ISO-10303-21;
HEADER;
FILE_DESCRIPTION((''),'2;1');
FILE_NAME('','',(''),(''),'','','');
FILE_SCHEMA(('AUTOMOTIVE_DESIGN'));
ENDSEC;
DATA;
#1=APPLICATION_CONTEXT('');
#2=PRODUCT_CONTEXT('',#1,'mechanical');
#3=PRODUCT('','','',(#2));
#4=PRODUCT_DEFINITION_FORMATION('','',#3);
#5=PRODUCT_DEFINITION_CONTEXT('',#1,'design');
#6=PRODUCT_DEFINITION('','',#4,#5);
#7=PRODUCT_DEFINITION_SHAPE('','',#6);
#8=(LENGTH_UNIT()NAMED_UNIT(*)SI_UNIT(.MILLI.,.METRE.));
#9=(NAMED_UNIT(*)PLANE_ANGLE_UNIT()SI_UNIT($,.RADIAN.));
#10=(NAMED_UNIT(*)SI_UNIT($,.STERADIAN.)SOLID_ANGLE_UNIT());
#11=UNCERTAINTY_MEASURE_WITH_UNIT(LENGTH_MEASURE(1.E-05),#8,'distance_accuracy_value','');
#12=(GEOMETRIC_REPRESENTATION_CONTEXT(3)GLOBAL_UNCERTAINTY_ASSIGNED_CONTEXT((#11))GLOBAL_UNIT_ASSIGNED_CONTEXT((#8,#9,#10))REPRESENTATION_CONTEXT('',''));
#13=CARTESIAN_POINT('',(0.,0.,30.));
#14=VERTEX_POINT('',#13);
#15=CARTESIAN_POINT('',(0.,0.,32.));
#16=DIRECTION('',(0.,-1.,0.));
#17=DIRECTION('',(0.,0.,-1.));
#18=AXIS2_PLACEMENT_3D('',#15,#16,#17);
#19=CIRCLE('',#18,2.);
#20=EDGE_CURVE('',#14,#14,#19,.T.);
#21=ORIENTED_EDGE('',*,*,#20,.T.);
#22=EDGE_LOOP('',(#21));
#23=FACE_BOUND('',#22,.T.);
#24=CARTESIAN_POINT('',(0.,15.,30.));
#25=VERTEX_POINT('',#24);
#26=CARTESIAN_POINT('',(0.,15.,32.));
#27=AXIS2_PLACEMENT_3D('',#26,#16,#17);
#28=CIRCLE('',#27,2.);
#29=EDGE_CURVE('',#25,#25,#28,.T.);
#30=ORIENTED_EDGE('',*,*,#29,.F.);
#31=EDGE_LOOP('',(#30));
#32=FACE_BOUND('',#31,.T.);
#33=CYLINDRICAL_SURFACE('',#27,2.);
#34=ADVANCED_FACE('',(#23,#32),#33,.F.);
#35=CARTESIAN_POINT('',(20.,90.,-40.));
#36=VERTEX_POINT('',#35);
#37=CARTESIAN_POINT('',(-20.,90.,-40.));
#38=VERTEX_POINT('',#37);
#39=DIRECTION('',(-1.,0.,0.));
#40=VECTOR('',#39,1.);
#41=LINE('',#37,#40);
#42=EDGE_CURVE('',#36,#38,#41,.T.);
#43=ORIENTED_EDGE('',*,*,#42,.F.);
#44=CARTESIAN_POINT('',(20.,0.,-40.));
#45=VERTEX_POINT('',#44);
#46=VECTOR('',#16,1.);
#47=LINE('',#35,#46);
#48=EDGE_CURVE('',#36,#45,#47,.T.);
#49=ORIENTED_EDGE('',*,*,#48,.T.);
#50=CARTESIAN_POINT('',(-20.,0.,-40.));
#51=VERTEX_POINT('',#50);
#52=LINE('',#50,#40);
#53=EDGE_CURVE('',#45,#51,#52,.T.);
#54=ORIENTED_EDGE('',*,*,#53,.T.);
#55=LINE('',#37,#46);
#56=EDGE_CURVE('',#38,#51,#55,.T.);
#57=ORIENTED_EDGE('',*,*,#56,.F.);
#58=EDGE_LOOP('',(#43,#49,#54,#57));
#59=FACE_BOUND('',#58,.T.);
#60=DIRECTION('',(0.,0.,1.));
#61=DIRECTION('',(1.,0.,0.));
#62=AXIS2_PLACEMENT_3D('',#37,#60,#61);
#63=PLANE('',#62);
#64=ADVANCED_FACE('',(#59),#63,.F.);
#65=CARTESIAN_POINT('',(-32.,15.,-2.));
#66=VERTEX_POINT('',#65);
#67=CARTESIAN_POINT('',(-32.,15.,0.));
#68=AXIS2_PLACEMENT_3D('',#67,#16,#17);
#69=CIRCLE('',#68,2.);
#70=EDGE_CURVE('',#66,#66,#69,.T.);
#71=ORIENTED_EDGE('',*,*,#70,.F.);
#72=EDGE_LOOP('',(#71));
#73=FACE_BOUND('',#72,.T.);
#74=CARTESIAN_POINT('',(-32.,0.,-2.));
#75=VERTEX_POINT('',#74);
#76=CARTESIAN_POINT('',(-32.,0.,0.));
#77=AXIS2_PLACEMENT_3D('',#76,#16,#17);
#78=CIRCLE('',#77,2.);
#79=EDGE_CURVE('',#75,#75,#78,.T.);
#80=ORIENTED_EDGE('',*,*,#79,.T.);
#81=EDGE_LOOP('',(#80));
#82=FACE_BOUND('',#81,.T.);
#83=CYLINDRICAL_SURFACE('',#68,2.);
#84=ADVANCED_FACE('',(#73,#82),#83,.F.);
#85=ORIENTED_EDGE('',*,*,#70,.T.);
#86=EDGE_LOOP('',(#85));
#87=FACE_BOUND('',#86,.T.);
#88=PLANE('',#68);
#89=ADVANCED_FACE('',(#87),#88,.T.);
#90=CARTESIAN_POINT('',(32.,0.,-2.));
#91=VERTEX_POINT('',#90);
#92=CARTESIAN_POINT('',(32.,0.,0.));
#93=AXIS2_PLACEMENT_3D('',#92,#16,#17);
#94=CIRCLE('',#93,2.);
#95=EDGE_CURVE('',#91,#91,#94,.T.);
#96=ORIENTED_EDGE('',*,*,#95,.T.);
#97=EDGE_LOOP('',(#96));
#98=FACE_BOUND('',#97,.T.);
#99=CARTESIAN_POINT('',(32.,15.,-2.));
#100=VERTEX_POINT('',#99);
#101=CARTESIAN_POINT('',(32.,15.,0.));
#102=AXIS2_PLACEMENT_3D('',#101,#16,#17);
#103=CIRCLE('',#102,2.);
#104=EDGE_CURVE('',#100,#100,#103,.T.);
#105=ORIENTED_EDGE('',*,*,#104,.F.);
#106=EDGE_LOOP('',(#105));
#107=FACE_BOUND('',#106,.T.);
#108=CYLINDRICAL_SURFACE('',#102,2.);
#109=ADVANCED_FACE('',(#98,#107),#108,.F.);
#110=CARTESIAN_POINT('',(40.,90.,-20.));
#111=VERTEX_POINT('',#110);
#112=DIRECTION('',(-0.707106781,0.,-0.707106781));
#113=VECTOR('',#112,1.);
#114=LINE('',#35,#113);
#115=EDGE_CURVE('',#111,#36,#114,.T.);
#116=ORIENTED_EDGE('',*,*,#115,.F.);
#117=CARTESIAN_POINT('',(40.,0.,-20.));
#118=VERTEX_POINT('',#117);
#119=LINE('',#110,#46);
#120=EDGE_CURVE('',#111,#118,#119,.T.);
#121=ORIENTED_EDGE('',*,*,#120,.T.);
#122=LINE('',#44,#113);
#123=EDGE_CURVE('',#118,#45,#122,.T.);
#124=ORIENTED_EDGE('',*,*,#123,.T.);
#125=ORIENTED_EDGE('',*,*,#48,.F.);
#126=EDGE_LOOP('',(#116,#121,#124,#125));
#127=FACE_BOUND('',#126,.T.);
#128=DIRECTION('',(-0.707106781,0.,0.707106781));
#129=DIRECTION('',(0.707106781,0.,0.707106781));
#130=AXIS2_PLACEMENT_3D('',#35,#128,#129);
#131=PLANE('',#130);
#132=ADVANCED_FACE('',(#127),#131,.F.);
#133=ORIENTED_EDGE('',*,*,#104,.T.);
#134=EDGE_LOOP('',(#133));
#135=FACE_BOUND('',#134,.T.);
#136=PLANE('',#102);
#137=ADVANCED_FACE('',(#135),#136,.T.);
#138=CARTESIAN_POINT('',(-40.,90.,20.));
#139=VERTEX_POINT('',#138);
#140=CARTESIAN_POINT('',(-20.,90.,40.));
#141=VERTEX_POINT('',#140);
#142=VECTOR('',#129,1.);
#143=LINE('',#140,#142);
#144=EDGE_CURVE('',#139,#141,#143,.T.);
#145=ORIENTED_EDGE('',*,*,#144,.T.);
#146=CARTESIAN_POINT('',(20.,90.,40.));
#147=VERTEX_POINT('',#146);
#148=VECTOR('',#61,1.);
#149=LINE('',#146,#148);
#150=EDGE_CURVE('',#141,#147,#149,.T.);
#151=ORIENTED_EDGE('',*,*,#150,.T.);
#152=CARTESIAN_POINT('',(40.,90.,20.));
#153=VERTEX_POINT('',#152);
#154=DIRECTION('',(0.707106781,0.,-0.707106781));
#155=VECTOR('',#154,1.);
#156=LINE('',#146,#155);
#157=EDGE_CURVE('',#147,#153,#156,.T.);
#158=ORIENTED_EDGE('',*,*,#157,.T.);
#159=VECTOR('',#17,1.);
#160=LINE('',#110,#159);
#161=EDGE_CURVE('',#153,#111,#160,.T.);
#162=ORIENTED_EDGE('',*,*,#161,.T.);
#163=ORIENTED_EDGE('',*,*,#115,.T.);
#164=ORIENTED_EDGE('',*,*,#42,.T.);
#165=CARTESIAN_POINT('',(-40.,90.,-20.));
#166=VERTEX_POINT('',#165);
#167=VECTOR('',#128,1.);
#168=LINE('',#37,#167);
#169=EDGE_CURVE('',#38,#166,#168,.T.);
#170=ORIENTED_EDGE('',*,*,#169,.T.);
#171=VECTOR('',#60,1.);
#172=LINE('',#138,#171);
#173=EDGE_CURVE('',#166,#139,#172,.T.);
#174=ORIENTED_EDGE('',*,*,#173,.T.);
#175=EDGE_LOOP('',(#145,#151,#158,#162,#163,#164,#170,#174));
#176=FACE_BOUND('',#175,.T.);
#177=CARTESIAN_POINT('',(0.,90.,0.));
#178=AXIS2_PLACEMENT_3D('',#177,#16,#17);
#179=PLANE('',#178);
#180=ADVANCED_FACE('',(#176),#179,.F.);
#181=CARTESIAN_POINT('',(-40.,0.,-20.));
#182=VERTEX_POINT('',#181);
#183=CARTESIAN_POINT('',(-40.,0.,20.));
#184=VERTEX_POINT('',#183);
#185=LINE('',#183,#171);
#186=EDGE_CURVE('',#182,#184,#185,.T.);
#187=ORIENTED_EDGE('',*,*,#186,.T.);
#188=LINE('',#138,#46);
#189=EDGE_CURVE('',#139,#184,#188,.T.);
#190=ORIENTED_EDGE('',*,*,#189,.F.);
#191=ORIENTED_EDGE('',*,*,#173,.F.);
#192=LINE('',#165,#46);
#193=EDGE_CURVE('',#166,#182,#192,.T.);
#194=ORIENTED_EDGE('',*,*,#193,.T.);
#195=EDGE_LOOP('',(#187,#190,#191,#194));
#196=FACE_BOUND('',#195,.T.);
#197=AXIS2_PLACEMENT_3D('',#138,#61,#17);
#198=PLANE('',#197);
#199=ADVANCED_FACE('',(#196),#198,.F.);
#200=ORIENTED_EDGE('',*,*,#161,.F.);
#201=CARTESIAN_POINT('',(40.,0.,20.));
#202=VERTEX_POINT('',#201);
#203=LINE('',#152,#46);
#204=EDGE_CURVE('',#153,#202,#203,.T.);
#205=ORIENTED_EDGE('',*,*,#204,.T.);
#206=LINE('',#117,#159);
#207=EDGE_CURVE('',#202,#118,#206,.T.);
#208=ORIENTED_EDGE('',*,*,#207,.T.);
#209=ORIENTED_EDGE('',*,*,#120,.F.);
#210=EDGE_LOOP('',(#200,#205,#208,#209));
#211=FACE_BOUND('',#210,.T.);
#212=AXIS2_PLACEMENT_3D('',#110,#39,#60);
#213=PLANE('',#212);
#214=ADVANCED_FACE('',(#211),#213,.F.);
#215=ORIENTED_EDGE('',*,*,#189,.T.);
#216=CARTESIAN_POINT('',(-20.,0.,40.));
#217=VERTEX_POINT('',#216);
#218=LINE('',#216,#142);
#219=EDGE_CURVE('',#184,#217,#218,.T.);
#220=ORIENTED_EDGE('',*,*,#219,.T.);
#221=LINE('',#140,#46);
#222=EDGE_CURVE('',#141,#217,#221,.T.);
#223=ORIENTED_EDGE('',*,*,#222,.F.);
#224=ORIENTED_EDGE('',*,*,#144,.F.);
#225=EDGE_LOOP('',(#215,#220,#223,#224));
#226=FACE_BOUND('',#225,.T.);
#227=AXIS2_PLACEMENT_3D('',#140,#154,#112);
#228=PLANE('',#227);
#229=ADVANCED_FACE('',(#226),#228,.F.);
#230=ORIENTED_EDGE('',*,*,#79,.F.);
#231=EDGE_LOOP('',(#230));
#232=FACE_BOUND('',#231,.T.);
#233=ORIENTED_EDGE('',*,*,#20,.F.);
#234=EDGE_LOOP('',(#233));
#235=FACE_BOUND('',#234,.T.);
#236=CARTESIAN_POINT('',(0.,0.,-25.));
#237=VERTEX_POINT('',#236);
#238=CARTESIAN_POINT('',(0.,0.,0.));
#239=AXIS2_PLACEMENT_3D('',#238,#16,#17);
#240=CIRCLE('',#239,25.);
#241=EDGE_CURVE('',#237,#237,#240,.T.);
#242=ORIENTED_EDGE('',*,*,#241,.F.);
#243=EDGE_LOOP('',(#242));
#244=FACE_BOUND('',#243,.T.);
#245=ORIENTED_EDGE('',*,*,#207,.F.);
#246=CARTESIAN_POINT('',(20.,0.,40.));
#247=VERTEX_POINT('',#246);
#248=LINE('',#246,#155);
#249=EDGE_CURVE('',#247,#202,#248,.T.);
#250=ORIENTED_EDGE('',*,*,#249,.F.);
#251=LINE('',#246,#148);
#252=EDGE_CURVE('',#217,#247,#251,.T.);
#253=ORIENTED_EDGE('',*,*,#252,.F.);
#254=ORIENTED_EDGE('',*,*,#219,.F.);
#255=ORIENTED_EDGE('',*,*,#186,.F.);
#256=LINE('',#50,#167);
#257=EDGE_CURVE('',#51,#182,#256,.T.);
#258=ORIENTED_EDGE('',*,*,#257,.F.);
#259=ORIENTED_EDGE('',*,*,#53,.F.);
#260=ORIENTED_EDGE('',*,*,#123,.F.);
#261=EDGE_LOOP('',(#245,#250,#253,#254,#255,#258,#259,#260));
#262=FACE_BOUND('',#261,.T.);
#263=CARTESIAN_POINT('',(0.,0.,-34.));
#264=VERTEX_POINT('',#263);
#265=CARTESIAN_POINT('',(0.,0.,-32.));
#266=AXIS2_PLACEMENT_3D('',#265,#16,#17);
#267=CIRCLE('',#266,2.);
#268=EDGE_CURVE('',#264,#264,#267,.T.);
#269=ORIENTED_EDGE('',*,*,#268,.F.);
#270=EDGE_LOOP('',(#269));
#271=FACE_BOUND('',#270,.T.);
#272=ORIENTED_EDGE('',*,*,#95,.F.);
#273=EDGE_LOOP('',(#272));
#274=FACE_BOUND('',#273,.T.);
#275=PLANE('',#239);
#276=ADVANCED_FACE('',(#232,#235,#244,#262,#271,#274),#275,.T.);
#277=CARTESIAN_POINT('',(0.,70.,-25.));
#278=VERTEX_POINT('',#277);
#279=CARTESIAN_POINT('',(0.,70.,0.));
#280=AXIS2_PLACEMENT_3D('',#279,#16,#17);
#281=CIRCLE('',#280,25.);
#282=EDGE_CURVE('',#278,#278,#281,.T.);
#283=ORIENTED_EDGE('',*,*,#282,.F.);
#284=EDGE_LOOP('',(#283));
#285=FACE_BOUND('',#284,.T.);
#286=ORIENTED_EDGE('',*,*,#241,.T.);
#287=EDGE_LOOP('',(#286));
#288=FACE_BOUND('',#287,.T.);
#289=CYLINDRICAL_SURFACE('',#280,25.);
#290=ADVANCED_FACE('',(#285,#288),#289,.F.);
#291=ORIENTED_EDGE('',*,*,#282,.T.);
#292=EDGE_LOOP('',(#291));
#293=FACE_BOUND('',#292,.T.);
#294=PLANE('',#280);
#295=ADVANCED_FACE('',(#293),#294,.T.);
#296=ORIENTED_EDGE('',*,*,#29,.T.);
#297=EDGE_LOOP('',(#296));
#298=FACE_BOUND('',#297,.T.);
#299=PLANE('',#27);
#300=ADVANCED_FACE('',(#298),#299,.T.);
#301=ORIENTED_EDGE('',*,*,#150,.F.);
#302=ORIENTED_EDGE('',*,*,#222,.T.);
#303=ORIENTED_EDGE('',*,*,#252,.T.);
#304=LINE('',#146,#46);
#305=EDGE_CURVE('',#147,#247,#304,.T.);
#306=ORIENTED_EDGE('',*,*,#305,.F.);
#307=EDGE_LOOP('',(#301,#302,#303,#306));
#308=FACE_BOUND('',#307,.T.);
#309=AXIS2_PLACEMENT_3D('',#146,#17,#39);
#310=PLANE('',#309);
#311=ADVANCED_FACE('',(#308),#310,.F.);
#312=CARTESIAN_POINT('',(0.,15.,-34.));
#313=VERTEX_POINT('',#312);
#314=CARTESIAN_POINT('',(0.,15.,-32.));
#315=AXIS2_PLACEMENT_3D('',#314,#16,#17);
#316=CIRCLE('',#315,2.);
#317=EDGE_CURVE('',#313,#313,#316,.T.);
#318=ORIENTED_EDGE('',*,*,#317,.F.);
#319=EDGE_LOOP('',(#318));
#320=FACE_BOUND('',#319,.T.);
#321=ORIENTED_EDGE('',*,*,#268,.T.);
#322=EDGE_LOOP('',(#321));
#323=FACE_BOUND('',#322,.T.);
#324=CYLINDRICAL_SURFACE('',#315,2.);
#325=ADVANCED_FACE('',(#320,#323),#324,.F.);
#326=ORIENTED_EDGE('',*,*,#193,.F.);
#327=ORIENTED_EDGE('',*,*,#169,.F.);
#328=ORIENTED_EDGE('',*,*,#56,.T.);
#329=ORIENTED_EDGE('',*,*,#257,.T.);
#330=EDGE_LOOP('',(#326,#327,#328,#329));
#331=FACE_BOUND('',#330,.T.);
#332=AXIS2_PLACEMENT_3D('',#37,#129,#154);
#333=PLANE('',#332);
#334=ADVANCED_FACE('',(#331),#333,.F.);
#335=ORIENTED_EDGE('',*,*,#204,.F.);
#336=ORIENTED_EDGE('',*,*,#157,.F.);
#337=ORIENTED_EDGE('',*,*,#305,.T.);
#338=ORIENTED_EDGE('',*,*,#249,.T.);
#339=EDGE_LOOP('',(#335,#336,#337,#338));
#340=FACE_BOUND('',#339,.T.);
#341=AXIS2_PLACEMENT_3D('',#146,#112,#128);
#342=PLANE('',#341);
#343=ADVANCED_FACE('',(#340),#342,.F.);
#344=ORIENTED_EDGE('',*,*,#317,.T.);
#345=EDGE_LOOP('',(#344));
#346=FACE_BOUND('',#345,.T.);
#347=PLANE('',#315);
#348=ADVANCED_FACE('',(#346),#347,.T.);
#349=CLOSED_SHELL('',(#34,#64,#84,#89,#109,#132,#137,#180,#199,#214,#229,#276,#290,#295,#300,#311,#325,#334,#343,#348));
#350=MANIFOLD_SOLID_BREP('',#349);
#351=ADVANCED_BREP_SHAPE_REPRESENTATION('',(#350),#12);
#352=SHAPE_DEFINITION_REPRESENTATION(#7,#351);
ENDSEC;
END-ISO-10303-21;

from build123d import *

# Parameters (mm, degrees)
BOSS_EXTRU_1_DEPTH      = 90
ESQUISSE3_R             = 25
ENL_V_MAT_EXTRU_1_DEPTH = 70
ESQUISSE5_R             = 2
ENL_V_MAT_EXTRU_3_DEPTH = 15


with BuildPart() as part:
    # Esquisse2 → Boss.-Extru.1 (new body)
    with BuildSketch(Plane(origin=(0, 0, 0), x_dir=(1, 0, 0), z_dir=(0, 1, 0))):
        Polygon((-20, 40), (-40, 20), (-40, -20), (-20, -40), (20, -40), (40, -20), (40, 20), (20, 40), align=None)
    extrude(amount=BOSS_EXTRU_1_DEPTH)

    # Esquisse3 → Enlèv. mat.-Extru.1 (cut)
    with BuildSketch(Plane.XZ):
        with Locations(Location((0, 0, 0), (0, 0, 270))):
            Circle(ESQUISSE3_R)
    extrude(amount=-ENL_V_MAT_EXTRU_1_DEPTH, mode=Mode.SUBTRACT)

    # Esquisse5 → Enlèv. mat.-Extru.3 (cut)
    with BuildSketch(Plane.XZ):
        with Locations(Location((-32, 0, 0), (0, 0, 270))):
            Circle(ESQUISSE5_R)
        with Locations(Location((0, -32, 0), (0, 0, 270))):
            Circle(ESQUISSE5_R)
        with Locations(Location((32, 0, 0), (0, 0, 270))):
            Circle(ESQUISSE5_R)
        with Locations(Location((0, 32, 0), (0, 0, 270))):
            Circle(ESQUISSE5_R)
    extrude(amount=-ENL_V_MAT_EXTRU_3_DEPTH, mode=Mode.SUBTRACT)


solid = part.part
